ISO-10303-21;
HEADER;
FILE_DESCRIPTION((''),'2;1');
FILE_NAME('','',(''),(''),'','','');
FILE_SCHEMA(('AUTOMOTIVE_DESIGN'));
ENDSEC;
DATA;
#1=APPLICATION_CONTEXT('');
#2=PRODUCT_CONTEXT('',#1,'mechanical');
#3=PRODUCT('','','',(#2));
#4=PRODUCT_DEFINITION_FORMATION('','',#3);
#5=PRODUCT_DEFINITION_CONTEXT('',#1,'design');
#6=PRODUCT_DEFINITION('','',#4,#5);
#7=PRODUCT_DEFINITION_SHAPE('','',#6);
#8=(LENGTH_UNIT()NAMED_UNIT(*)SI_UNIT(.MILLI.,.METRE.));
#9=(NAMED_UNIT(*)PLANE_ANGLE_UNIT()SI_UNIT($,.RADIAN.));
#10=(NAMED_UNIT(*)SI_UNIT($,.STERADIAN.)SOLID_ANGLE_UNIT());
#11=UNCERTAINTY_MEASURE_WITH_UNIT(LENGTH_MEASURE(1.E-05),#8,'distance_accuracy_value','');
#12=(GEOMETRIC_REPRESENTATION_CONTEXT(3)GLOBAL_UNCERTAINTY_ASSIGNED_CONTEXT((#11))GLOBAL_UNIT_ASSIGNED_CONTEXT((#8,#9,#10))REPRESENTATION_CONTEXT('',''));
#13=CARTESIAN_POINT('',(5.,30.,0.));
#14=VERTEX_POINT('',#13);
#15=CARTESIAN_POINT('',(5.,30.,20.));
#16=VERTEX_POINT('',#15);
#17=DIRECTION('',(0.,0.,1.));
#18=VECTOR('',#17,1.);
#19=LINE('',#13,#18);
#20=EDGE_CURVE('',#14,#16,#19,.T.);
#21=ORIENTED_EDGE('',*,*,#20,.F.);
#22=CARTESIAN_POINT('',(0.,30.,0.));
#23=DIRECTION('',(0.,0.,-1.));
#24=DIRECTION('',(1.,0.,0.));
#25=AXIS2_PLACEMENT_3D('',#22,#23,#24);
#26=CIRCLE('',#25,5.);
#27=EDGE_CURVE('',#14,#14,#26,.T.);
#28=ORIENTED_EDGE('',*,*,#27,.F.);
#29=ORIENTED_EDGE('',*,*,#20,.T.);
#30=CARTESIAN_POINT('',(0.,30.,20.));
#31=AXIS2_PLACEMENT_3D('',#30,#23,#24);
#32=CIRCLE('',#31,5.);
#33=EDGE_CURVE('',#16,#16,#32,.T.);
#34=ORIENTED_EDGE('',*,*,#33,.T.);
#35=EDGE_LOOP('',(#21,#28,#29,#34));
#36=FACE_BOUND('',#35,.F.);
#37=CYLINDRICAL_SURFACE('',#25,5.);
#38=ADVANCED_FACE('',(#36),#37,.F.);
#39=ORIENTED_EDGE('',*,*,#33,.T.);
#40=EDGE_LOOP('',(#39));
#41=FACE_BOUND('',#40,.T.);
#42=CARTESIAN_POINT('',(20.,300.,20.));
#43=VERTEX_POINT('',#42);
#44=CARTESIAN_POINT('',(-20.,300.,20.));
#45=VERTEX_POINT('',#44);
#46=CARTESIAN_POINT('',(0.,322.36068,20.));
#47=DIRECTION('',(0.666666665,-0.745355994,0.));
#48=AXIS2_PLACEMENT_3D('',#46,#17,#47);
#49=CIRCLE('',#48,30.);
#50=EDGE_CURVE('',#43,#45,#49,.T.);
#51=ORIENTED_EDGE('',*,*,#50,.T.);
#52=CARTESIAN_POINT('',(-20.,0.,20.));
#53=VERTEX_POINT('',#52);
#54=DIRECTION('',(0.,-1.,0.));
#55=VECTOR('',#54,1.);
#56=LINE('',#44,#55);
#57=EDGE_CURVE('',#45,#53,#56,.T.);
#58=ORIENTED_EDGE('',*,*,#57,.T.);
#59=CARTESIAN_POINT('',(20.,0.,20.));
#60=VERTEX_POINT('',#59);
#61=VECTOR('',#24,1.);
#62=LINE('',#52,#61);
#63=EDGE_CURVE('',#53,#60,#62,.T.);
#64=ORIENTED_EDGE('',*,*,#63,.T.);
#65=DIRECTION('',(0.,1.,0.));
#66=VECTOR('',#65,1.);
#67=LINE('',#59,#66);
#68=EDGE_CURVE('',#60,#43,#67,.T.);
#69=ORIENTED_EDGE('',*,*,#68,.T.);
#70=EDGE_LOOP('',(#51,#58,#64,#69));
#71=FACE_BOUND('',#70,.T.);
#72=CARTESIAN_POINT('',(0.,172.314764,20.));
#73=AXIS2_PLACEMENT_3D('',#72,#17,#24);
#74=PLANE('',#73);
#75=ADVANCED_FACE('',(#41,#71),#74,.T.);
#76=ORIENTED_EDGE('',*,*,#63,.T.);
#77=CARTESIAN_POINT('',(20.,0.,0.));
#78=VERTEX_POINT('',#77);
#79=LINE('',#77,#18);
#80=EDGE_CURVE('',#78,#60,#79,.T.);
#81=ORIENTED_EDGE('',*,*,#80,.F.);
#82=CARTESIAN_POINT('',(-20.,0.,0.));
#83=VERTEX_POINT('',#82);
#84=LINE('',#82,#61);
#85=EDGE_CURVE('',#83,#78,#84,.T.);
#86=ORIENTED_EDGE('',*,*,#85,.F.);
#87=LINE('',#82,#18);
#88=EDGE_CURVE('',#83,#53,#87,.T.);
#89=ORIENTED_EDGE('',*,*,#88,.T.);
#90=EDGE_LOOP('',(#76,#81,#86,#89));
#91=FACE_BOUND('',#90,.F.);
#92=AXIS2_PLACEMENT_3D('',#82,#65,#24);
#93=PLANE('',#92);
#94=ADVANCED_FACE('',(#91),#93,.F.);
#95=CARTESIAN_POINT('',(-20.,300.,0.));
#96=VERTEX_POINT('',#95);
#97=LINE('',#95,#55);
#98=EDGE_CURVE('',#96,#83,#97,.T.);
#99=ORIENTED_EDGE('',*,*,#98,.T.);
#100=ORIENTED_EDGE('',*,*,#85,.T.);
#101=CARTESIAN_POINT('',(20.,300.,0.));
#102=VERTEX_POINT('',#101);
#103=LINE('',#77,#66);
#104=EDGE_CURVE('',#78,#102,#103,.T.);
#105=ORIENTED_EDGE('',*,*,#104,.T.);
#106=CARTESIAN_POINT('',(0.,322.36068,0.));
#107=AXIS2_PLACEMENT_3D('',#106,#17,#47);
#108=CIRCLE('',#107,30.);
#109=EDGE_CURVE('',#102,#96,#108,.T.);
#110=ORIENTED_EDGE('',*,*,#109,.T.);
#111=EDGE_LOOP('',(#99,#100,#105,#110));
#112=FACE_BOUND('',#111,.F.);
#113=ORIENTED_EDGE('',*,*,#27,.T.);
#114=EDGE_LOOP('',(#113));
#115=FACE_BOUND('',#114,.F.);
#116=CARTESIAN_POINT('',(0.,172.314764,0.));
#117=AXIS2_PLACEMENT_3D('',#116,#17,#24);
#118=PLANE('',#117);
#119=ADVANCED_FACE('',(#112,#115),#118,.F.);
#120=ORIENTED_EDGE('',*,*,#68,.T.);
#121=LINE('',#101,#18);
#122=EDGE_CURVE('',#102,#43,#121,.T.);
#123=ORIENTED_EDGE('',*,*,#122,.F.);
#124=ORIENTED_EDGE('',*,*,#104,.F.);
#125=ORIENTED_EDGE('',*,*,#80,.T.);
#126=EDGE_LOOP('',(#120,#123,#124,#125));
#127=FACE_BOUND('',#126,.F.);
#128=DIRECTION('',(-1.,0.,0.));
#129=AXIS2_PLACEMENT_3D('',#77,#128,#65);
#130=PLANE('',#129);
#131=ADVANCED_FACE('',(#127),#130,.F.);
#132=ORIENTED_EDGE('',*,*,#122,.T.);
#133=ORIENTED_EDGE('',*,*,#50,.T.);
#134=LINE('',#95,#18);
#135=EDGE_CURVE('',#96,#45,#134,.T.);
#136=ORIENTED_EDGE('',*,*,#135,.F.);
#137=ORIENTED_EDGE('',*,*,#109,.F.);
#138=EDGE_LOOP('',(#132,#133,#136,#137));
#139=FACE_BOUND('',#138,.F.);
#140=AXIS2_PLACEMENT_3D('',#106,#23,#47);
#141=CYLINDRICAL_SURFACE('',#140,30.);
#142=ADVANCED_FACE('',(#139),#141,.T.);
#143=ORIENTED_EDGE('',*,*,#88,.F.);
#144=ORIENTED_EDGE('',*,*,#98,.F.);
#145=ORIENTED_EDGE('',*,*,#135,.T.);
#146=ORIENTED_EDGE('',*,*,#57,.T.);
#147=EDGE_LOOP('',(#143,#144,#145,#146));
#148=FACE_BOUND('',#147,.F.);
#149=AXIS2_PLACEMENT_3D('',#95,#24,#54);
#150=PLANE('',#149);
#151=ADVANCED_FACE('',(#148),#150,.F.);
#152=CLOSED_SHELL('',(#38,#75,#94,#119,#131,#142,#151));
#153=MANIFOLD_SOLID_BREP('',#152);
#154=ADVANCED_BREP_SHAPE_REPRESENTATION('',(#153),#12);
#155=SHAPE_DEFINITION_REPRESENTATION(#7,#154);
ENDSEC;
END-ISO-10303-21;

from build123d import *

# Parameters (mm, degrees)
F1_DEPTH = 20
F2_R     = 5
F3_DEPTH = 20.001


with BuildPart() as f1:
    # F0 (on Top) → F1 (new body)
    with BuildSketch(Plane.XY):
        with BuildLine():
            Line((-20, 0), (0, 0))
            Line((0, 0), (20, 0))
            Line((20, 0), (20, 300))
            ThreePointArc((20, 300), (0, 352.36068), (-20, 300))
            Line((-20, 300), (-20, 0))
        make_face()
    extrude(amount=F1_DEPTH)

    # F2 (on face) → F3 (cut, through all)
    with BuildSketch(Plane(origin=(0, 0, 0), x_dir=(1, 0, 0), z_dir=(0, 0, -1))):
        with Locations((0, -30)):
            Circle(F2_R)
    extrude(amount=-F3_DEPTH, mode=Mode.SUBTRACT)


solid = f1.part
